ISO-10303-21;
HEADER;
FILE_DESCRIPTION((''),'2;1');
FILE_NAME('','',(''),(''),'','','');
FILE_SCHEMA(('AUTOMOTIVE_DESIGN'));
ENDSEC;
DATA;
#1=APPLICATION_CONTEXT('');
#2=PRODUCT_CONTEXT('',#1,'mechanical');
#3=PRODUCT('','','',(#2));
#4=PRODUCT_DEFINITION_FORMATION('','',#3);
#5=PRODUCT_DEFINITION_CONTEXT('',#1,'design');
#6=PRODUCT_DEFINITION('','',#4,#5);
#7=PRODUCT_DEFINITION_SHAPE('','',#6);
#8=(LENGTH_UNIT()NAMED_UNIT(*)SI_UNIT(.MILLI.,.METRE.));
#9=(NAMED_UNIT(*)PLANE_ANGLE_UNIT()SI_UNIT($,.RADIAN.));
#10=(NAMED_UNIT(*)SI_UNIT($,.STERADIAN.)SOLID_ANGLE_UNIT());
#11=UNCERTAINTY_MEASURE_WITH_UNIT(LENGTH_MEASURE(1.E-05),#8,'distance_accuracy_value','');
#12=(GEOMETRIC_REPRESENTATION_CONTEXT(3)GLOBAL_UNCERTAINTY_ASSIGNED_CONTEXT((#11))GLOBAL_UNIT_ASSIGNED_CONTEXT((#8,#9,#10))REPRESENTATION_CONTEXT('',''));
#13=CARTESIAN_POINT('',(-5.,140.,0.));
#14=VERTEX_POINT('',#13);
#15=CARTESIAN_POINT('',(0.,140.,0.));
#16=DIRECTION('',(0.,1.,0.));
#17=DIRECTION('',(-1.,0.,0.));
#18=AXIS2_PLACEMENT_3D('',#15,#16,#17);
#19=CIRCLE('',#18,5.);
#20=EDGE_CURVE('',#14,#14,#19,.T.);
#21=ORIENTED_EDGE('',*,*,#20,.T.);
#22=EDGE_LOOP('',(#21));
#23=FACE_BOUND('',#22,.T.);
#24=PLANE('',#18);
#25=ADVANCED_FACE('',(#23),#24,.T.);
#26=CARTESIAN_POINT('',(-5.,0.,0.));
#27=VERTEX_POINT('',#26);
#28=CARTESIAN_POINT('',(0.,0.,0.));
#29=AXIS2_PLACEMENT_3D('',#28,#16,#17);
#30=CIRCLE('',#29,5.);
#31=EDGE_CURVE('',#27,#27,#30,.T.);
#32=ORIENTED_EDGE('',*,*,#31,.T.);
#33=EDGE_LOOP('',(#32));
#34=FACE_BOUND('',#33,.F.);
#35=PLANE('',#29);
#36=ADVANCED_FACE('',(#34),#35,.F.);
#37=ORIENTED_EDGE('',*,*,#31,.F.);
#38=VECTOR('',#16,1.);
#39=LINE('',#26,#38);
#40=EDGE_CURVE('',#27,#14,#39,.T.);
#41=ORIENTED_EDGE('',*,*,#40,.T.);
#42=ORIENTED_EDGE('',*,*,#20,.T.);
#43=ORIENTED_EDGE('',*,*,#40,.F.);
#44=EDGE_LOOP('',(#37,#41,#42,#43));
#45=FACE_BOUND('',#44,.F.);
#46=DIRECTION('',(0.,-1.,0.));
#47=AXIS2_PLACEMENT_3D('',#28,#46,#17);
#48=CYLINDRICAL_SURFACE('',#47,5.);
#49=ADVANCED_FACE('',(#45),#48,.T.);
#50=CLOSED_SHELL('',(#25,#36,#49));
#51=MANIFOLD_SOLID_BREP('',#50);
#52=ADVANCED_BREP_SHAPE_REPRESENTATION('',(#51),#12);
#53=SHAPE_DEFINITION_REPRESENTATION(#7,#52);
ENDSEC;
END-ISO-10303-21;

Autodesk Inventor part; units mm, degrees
ref_plane "YZ Plane" through (0, 0, 0) normal (1, 0, 0) x (0, 1, 0)
ref_plane "XZ Plane" through (0, 0, 0) normal (0, 1, 0) x (-1, 0, 0)
ref_plane "XY Plane" through (0, 0, 0) normal (0, 0, 1) x (1, 0, 0)
sketch "スケッチ1" plane through (0, 0, 0) normal (0, 1, 0) x (-1, 0, 0)
  circle A0 centre (0, 0) radius 5
  dimension "d0" = 10
extrude "押し出し1" add sketch "スケッチ1" along normal blind 140
